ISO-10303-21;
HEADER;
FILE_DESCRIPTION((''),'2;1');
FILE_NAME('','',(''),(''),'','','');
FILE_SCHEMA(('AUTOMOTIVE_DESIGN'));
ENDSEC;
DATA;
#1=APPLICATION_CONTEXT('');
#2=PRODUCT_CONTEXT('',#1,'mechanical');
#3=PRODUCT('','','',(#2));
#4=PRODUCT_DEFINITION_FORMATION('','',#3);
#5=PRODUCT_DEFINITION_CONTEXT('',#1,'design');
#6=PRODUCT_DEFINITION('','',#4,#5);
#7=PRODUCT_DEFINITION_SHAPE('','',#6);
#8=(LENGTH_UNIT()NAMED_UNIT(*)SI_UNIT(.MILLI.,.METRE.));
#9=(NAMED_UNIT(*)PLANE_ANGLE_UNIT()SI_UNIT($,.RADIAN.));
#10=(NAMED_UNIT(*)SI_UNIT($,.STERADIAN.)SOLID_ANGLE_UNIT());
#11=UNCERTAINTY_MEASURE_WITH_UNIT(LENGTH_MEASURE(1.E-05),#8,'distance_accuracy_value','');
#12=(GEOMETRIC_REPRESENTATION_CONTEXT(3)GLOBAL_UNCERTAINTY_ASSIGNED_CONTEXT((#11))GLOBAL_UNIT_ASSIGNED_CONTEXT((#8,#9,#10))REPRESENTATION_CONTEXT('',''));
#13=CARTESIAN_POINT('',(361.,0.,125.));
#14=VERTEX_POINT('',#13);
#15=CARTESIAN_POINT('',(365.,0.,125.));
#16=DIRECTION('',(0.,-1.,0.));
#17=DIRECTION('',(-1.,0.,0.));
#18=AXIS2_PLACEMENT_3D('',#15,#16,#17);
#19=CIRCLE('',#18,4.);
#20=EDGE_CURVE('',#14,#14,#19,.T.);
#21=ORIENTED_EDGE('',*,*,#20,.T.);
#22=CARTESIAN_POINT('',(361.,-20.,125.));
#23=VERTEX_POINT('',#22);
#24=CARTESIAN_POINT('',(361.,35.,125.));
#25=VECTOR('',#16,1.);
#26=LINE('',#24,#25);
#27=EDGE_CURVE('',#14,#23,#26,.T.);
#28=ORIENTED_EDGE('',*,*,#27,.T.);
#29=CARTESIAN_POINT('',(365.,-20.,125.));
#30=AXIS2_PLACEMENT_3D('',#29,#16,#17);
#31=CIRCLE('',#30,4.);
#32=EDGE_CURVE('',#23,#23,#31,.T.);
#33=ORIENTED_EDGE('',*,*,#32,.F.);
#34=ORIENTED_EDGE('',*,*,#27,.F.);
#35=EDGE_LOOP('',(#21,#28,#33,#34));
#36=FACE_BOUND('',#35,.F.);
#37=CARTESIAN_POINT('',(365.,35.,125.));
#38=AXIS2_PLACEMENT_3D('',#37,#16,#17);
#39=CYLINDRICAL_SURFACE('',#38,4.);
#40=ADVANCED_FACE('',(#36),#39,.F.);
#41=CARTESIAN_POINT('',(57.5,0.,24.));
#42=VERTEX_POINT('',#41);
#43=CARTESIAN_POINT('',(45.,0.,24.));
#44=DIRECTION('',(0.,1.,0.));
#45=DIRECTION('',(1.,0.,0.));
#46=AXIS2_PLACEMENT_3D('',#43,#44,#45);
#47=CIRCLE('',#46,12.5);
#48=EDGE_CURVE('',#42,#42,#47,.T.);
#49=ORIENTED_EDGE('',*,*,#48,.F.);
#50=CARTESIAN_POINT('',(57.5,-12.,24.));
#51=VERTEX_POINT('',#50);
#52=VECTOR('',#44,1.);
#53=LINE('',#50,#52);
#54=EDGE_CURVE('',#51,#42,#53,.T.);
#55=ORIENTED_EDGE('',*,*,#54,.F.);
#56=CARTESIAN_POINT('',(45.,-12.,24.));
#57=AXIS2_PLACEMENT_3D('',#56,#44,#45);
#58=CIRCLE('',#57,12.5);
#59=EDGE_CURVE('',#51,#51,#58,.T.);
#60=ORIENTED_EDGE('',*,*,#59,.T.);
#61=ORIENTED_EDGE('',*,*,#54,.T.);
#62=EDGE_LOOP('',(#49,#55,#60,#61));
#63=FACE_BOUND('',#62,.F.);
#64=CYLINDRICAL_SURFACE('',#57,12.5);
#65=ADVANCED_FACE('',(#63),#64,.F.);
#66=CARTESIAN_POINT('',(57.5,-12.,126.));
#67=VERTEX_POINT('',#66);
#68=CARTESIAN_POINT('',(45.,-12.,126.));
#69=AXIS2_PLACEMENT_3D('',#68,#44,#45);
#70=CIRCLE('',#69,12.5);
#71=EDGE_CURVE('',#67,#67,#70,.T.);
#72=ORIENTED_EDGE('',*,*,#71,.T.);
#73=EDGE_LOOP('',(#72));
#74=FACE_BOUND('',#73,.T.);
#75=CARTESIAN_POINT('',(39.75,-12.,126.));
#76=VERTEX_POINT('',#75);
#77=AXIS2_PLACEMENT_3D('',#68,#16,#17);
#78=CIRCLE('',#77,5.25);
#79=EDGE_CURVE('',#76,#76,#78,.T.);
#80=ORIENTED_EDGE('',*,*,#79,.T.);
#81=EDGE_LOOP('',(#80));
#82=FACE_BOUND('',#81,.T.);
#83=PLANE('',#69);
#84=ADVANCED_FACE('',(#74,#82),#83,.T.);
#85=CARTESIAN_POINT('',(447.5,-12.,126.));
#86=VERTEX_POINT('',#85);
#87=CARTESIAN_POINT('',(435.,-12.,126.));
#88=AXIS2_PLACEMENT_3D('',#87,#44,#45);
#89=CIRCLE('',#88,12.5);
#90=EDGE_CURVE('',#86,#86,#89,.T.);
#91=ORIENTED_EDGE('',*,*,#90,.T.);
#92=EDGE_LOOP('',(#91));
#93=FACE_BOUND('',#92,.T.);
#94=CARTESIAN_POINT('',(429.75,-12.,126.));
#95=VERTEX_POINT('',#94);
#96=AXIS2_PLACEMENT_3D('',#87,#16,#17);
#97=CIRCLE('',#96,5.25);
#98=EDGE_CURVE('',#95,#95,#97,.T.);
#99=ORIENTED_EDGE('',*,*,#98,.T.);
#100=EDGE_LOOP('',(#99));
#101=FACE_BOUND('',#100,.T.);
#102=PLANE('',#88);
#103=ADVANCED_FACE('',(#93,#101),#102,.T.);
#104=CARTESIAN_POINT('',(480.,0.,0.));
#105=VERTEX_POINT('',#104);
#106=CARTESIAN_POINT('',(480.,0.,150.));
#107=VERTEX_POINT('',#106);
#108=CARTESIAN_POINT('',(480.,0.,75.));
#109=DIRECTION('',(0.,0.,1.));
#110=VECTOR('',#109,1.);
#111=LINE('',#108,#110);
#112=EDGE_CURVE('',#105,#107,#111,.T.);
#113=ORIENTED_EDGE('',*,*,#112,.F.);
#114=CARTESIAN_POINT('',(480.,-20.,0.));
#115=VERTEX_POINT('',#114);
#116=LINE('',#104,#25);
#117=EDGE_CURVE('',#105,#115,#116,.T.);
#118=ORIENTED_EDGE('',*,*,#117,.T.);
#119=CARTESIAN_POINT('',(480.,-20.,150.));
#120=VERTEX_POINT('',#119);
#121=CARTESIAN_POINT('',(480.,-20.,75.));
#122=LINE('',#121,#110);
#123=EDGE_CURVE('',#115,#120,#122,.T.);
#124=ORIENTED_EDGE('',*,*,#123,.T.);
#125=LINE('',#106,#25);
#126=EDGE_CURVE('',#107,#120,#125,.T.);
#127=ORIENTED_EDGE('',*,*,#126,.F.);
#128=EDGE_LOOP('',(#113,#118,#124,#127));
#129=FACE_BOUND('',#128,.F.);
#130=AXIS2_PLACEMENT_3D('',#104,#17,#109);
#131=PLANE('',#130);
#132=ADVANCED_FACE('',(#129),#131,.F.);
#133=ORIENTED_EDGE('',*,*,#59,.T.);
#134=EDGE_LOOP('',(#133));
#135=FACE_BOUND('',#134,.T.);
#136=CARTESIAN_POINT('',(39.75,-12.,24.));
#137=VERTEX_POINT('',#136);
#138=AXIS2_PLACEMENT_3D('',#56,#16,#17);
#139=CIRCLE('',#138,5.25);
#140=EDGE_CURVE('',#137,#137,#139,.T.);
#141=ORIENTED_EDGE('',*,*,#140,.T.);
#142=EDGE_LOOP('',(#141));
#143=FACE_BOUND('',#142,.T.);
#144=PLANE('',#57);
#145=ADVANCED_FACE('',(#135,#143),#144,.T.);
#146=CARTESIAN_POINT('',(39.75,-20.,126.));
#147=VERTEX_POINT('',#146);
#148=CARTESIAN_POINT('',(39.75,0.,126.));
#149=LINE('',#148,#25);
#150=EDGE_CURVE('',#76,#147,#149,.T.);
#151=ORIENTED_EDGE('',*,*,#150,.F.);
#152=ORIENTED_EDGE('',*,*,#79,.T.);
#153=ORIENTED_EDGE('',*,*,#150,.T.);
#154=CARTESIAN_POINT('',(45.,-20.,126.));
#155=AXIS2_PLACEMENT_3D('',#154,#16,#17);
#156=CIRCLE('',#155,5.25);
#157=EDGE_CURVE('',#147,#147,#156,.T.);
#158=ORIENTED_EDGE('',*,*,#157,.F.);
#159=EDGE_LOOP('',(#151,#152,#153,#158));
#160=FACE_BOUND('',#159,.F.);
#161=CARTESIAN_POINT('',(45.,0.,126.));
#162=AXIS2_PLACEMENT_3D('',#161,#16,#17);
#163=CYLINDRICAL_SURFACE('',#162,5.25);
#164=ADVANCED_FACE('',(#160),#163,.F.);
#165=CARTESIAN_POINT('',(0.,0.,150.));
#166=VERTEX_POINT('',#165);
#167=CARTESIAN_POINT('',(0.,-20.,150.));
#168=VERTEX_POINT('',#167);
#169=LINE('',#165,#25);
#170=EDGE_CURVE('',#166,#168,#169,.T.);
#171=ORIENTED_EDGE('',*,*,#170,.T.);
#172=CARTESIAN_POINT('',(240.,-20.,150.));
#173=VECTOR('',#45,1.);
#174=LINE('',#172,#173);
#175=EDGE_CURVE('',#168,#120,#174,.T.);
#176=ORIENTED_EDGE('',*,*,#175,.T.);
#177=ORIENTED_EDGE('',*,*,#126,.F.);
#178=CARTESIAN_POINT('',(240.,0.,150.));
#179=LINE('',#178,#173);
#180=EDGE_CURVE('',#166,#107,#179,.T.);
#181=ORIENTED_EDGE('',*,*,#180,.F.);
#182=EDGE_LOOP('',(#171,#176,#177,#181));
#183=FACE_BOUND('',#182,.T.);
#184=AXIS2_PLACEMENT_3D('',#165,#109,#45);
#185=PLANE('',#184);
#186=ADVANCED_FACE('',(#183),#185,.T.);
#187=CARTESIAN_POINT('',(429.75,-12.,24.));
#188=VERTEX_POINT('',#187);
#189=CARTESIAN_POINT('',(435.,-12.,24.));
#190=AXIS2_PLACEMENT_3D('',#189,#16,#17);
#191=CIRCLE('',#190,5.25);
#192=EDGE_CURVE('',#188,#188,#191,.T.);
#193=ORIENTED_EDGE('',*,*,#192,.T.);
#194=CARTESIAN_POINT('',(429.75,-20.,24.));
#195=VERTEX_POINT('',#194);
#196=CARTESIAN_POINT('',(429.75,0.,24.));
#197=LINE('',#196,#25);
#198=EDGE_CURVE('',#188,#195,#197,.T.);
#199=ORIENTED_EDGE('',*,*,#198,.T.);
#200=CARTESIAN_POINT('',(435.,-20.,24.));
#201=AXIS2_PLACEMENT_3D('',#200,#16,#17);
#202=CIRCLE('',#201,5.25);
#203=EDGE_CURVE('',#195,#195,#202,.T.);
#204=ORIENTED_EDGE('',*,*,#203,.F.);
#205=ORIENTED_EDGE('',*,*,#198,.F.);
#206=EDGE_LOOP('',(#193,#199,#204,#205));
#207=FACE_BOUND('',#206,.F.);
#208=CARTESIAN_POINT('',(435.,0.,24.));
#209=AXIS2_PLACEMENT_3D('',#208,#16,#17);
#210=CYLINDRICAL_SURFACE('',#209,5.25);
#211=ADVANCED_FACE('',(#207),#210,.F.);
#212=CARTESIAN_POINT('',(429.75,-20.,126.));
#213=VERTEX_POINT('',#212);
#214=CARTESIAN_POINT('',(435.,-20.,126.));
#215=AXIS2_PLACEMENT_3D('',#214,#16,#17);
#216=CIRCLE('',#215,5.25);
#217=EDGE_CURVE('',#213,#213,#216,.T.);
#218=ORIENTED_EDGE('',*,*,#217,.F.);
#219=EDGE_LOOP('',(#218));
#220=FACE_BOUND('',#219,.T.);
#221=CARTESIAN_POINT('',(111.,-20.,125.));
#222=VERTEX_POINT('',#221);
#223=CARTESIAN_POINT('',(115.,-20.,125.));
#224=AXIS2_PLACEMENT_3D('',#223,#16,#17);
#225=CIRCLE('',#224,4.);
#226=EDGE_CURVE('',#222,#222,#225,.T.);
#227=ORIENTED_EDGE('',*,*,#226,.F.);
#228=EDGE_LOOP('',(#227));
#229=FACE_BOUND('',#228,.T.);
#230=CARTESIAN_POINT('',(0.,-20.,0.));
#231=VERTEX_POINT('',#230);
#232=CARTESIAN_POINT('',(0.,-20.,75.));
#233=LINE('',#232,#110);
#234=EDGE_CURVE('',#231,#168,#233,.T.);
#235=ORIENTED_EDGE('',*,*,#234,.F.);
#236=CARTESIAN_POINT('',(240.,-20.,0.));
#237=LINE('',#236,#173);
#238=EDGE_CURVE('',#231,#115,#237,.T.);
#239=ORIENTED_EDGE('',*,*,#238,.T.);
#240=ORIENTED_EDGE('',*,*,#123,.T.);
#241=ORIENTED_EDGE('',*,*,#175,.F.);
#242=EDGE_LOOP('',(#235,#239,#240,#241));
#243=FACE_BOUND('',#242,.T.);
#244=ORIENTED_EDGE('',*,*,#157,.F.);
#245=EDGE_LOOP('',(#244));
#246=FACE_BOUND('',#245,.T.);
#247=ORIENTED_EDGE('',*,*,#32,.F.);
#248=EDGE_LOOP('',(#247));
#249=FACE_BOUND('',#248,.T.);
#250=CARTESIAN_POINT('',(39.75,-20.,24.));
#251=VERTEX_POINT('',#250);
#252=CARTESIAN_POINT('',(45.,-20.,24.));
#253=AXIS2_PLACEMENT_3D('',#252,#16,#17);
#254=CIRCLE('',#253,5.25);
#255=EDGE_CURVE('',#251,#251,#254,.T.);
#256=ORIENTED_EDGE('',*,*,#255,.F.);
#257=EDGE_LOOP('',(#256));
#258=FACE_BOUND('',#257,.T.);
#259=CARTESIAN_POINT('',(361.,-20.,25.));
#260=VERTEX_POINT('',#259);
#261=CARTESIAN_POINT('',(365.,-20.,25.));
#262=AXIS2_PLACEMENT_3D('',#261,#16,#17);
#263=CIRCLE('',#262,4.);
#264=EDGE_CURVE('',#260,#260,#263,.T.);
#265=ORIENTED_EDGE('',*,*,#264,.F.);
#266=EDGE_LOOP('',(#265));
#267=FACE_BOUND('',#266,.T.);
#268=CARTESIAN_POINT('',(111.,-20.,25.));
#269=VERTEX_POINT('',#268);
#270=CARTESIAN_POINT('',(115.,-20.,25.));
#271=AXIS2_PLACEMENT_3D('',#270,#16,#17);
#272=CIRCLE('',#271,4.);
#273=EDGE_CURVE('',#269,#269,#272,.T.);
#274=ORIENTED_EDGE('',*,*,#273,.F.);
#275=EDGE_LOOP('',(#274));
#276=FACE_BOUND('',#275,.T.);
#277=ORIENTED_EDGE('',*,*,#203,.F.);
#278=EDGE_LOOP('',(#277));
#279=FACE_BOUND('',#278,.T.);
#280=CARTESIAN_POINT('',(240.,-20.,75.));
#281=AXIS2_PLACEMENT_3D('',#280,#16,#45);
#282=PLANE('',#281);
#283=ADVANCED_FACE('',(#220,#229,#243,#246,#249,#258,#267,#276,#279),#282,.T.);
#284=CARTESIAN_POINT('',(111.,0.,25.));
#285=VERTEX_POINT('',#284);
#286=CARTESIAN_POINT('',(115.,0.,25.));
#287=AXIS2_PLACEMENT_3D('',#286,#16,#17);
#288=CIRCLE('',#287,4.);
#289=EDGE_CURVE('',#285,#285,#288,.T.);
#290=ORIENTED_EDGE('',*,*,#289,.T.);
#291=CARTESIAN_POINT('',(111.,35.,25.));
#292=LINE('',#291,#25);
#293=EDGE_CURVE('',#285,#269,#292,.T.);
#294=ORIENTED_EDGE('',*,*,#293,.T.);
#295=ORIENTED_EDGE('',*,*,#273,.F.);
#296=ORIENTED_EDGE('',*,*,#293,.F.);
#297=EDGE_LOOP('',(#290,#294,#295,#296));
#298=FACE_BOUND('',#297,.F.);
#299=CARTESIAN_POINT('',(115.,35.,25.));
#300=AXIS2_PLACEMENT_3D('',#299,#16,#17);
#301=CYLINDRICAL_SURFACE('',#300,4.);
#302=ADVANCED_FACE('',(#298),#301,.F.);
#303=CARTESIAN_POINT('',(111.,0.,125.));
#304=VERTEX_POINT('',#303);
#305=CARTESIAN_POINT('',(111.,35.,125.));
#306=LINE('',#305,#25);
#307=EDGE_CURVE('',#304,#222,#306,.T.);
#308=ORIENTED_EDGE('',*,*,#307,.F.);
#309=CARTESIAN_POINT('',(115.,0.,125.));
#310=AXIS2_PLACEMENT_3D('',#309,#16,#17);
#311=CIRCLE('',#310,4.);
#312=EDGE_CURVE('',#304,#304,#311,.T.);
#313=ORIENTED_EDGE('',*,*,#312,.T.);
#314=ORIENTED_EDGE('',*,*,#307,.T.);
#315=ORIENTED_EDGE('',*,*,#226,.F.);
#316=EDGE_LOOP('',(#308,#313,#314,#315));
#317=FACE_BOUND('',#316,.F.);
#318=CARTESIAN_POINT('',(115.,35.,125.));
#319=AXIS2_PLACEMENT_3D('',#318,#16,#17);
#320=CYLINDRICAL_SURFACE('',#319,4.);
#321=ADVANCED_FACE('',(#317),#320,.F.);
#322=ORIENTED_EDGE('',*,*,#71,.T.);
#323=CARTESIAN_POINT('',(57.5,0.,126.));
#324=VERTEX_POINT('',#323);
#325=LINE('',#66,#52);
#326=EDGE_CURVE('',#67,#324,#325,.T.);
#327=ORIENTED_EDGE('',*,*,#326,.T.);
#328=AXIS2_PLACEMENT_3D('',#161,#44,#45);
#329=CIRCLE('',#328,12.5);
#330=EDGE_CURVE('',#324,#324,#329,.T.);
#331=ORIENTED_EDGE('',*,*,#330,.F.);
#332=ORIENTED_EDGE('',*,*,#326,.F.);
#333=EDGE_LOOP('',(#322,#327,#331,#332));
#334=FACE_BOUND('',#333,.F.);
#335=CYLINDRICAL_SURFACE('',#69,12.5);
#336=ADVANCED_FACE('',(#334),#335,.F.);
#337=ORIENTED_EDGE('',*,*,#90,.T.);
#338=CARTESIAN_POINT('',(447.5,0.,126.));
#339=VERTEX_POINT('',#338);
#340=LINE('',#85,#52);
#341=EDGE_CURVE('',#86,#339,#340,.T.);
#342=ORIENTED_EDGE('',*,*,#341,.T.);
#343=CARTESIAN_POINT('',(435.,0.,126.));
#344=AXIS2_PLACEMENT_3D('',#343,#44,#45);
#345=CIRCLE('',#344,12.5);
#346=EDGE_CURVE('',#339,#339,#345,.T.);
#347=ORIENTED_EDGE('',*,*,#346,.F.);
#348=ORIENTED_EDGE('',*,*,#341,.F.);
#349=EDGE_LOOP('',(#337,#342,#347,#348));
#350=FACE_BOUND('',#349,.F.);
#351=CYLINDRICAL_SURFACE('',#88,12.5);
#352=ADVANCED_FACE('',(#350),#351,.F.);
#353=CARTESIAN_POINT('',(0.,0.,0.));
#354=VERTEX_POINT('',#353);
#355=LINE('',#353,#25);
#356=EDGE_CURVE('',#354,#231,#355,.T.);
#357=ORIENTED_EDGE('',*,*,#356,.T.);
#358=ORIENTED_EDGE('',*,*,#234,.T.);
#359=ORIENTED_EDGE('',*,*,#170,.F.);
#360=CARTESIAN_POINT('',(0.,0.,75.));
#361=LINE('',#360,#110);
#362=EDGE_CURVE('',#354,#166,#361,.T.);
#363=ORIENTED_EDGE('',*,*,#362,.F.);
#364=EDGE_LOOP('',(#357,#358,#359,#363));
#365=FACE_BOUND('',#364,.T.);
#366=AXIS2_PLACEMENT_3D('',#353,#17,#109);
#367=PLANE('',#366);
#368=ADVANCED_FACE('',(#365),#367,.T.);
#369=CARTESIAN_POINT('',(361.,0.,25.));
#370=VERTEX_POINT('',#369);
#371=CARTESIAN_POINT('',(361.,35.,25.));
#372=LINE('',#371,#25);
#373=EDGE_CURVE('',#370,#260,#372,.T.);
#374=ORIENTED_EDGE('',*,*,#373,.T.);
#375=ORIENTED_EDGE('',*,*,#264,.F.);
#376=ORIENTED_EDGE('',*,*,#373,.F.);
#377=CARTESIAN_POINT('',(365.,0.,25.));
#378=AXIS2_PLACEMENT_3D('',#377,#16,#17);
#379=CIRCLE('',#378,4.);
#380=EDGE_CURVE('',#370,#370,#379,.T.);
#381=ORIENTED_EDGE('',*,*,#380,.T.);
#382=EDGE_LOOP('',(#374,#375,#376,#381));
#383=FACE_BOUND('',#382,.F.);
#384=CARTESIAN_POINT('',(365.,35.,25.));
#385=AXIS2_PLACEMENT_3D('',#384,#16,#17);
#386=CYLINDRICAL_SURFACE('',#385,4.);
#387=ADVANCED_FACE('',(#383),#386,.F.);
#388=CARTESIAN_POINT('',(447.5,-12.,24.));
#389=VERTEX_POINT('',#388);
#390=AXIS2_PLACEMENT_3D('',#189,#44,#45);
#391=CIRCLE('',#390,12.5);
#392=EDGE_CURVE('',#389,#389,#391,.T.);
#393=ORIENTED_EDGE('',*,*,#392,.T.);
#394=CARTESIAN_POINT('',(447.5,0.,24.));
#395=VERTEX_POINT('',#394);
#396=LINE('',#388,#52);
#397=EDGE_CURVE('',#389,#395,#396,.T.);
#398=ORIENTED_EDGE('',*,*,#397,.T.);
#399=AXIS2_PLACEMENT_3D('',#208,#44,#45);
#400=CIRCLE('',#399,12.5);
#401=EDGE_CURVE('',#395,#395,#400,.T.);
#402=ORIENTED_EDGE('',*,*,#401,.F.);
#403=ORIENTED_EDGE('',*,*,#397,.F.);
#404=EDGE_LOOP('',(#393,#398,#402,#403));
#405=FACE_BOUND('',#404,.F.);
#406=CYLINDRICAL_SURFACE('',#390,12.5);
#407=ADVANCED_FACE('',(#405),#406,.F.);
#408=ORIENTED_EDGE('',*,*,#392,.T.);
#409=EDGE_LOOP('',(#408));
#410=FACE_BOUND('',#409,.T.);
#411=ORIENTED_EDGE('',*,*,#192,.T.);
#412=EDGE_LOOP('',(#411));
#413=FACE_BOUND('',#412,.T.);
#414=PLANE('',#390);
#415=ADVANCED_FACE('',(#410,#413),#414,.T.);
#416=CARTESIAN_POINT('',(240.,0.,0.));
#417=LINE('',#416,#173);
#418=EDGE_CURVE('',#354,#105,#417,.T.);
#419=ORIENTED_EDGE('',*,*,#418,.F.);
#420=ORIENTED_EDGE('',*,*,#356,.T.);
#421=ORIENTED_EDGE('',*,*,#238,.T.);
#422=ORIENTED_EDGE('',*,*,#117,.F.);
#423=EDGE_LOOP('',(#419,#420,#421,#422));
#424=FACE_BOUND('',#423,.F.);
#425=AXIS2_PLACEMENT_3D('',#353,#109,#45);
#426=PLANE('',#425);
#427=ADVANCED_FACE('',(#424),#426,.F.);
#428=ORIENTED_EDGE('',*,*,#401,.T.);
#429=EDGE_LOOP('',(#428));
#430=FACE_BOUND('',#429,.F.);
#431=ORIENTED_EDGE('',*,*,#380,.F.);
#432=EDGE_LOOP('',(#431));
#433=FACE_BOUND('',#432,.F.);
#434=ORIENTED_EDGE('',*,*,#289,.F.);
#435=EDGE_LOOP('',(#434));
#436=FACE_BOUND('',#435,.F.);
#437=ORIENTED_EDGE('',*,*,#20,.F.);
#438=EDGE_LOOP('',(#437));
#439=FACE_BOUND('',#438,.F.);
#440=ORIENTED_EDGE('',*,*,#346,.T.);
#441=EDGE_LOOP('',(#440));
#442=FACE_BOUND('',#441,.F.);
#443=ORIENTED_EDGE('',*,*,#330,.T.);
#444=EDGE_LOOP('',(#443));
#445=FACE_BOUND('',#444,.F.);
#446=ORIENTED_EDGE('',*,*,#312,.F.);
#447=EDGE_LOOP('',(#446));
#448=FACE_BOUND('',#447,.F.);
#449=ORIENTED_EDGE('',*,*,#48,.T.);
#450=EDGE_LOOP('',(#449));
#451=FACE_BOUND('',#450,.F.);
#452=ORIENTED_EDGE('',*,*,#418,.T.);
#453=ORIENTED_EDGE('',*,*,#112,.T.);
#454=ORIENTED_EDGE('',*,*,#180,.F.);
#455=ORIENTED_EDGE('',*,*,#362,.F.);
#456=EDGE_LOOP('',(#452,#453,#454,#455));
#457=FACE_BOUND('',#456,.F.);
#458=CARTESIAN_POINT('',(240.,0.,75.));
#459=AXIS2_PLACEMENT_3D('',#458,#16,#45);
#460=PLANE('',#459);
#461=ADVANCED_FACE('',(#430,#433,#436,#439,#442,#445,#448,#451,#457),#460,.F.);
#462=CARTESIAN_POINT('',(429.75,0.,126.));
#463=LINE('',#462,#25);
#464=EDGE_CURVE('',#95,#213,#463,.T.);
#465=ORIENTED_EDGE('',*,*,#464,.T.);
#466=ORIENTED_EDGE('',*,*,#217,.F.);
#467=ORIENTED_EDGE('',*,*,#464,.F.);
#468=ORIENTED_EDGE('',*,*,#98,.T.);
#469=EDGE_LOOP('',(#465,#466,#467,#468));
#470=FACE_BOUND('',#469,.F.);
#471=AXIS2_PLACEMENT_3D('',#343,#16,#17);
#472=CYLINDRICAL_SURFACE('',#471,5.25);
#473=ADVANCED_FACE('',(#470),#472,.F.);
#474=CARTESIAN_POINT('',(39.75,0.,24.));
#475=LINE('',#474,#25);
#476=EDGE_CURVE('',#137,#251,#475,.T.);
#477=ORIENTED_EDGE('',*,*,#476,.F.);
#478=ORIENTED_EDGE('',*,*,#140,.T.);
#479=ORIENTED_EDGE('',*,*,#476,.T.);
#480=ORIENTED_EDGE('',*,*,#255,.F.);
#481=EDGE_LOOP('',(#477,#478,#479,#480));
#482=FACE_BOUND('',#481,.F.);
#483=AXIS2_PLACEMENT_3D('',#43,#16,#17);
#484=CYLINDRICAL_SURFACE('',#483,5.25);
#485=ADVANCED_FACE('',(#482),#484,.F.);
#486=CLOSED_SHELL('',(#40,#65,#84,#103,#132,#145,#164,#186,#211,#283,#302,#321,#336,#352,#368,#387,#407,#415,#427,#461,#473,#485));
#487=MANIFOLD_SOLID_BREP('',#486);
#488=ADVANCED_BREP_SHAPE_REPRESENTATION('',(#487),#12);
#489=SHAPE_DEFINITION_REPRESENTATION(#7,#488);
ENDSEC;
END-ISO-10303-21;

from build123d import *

# Parameters (mm, degrees)
F0_W           = 480
F0_H           = 150
F1_DEPTH       = 20
F2_D           = 10.5
F2_DEPTH       = 35
F2_CBORE_D     = 25
F2_CBORE_DEPTH = 12
F2_TIP         = 3.1545182499
F3_D           = 8
F3_DEPTH       = 35
F3_TIP         = 2.4034424761


with BuildPart() as f1:
    # F0 (on Front) → F1 (new body)
    with BuildSketch(Plane.XZ):
        with Locations((240, 75)):
            Rectangle(F0_W, F0_H)
    extrude(amount=F1_DEPTH)

    # F2
    with Locations(Plane(origin=(0, 0, 0), x_dir=(1, 0, 0), z_dir=(0, 1, 0))):
        with Locations((435, -126), (435, -24), (45, -126), (45, -24)):
            CounterBoreHole(F2_D / 2, F2_CBORE_D / 2, F2_CBORE_DEPTH, depth=F2_DEPTH)
            with Locations((0, 0, -(F2_DEPTH + F2_TIP / 2))):  # 118° drill point
                Cone(0, F2_D / 2, F2_TIP, mode=Mode.SUBTRACT)

    # F3
    with Locations(Plane(origin=(0, 0, 0), x_dir=(1, 0, 0), z_dir=(0, 1, 0))):
        with Locations((115, -125), (115, -25), (365, -25), (365, -125)):
            Hole(F3_D / 2, depth=F3_DEPTH)
            with Locations((0, 0, -(F3_DEPTH + F3_TIP / 2))):  # 118° drill point
                Cone(0, F3_D / 2, F3_TIP, mode=Mode.SUBTRACT)


solid = f1.part
